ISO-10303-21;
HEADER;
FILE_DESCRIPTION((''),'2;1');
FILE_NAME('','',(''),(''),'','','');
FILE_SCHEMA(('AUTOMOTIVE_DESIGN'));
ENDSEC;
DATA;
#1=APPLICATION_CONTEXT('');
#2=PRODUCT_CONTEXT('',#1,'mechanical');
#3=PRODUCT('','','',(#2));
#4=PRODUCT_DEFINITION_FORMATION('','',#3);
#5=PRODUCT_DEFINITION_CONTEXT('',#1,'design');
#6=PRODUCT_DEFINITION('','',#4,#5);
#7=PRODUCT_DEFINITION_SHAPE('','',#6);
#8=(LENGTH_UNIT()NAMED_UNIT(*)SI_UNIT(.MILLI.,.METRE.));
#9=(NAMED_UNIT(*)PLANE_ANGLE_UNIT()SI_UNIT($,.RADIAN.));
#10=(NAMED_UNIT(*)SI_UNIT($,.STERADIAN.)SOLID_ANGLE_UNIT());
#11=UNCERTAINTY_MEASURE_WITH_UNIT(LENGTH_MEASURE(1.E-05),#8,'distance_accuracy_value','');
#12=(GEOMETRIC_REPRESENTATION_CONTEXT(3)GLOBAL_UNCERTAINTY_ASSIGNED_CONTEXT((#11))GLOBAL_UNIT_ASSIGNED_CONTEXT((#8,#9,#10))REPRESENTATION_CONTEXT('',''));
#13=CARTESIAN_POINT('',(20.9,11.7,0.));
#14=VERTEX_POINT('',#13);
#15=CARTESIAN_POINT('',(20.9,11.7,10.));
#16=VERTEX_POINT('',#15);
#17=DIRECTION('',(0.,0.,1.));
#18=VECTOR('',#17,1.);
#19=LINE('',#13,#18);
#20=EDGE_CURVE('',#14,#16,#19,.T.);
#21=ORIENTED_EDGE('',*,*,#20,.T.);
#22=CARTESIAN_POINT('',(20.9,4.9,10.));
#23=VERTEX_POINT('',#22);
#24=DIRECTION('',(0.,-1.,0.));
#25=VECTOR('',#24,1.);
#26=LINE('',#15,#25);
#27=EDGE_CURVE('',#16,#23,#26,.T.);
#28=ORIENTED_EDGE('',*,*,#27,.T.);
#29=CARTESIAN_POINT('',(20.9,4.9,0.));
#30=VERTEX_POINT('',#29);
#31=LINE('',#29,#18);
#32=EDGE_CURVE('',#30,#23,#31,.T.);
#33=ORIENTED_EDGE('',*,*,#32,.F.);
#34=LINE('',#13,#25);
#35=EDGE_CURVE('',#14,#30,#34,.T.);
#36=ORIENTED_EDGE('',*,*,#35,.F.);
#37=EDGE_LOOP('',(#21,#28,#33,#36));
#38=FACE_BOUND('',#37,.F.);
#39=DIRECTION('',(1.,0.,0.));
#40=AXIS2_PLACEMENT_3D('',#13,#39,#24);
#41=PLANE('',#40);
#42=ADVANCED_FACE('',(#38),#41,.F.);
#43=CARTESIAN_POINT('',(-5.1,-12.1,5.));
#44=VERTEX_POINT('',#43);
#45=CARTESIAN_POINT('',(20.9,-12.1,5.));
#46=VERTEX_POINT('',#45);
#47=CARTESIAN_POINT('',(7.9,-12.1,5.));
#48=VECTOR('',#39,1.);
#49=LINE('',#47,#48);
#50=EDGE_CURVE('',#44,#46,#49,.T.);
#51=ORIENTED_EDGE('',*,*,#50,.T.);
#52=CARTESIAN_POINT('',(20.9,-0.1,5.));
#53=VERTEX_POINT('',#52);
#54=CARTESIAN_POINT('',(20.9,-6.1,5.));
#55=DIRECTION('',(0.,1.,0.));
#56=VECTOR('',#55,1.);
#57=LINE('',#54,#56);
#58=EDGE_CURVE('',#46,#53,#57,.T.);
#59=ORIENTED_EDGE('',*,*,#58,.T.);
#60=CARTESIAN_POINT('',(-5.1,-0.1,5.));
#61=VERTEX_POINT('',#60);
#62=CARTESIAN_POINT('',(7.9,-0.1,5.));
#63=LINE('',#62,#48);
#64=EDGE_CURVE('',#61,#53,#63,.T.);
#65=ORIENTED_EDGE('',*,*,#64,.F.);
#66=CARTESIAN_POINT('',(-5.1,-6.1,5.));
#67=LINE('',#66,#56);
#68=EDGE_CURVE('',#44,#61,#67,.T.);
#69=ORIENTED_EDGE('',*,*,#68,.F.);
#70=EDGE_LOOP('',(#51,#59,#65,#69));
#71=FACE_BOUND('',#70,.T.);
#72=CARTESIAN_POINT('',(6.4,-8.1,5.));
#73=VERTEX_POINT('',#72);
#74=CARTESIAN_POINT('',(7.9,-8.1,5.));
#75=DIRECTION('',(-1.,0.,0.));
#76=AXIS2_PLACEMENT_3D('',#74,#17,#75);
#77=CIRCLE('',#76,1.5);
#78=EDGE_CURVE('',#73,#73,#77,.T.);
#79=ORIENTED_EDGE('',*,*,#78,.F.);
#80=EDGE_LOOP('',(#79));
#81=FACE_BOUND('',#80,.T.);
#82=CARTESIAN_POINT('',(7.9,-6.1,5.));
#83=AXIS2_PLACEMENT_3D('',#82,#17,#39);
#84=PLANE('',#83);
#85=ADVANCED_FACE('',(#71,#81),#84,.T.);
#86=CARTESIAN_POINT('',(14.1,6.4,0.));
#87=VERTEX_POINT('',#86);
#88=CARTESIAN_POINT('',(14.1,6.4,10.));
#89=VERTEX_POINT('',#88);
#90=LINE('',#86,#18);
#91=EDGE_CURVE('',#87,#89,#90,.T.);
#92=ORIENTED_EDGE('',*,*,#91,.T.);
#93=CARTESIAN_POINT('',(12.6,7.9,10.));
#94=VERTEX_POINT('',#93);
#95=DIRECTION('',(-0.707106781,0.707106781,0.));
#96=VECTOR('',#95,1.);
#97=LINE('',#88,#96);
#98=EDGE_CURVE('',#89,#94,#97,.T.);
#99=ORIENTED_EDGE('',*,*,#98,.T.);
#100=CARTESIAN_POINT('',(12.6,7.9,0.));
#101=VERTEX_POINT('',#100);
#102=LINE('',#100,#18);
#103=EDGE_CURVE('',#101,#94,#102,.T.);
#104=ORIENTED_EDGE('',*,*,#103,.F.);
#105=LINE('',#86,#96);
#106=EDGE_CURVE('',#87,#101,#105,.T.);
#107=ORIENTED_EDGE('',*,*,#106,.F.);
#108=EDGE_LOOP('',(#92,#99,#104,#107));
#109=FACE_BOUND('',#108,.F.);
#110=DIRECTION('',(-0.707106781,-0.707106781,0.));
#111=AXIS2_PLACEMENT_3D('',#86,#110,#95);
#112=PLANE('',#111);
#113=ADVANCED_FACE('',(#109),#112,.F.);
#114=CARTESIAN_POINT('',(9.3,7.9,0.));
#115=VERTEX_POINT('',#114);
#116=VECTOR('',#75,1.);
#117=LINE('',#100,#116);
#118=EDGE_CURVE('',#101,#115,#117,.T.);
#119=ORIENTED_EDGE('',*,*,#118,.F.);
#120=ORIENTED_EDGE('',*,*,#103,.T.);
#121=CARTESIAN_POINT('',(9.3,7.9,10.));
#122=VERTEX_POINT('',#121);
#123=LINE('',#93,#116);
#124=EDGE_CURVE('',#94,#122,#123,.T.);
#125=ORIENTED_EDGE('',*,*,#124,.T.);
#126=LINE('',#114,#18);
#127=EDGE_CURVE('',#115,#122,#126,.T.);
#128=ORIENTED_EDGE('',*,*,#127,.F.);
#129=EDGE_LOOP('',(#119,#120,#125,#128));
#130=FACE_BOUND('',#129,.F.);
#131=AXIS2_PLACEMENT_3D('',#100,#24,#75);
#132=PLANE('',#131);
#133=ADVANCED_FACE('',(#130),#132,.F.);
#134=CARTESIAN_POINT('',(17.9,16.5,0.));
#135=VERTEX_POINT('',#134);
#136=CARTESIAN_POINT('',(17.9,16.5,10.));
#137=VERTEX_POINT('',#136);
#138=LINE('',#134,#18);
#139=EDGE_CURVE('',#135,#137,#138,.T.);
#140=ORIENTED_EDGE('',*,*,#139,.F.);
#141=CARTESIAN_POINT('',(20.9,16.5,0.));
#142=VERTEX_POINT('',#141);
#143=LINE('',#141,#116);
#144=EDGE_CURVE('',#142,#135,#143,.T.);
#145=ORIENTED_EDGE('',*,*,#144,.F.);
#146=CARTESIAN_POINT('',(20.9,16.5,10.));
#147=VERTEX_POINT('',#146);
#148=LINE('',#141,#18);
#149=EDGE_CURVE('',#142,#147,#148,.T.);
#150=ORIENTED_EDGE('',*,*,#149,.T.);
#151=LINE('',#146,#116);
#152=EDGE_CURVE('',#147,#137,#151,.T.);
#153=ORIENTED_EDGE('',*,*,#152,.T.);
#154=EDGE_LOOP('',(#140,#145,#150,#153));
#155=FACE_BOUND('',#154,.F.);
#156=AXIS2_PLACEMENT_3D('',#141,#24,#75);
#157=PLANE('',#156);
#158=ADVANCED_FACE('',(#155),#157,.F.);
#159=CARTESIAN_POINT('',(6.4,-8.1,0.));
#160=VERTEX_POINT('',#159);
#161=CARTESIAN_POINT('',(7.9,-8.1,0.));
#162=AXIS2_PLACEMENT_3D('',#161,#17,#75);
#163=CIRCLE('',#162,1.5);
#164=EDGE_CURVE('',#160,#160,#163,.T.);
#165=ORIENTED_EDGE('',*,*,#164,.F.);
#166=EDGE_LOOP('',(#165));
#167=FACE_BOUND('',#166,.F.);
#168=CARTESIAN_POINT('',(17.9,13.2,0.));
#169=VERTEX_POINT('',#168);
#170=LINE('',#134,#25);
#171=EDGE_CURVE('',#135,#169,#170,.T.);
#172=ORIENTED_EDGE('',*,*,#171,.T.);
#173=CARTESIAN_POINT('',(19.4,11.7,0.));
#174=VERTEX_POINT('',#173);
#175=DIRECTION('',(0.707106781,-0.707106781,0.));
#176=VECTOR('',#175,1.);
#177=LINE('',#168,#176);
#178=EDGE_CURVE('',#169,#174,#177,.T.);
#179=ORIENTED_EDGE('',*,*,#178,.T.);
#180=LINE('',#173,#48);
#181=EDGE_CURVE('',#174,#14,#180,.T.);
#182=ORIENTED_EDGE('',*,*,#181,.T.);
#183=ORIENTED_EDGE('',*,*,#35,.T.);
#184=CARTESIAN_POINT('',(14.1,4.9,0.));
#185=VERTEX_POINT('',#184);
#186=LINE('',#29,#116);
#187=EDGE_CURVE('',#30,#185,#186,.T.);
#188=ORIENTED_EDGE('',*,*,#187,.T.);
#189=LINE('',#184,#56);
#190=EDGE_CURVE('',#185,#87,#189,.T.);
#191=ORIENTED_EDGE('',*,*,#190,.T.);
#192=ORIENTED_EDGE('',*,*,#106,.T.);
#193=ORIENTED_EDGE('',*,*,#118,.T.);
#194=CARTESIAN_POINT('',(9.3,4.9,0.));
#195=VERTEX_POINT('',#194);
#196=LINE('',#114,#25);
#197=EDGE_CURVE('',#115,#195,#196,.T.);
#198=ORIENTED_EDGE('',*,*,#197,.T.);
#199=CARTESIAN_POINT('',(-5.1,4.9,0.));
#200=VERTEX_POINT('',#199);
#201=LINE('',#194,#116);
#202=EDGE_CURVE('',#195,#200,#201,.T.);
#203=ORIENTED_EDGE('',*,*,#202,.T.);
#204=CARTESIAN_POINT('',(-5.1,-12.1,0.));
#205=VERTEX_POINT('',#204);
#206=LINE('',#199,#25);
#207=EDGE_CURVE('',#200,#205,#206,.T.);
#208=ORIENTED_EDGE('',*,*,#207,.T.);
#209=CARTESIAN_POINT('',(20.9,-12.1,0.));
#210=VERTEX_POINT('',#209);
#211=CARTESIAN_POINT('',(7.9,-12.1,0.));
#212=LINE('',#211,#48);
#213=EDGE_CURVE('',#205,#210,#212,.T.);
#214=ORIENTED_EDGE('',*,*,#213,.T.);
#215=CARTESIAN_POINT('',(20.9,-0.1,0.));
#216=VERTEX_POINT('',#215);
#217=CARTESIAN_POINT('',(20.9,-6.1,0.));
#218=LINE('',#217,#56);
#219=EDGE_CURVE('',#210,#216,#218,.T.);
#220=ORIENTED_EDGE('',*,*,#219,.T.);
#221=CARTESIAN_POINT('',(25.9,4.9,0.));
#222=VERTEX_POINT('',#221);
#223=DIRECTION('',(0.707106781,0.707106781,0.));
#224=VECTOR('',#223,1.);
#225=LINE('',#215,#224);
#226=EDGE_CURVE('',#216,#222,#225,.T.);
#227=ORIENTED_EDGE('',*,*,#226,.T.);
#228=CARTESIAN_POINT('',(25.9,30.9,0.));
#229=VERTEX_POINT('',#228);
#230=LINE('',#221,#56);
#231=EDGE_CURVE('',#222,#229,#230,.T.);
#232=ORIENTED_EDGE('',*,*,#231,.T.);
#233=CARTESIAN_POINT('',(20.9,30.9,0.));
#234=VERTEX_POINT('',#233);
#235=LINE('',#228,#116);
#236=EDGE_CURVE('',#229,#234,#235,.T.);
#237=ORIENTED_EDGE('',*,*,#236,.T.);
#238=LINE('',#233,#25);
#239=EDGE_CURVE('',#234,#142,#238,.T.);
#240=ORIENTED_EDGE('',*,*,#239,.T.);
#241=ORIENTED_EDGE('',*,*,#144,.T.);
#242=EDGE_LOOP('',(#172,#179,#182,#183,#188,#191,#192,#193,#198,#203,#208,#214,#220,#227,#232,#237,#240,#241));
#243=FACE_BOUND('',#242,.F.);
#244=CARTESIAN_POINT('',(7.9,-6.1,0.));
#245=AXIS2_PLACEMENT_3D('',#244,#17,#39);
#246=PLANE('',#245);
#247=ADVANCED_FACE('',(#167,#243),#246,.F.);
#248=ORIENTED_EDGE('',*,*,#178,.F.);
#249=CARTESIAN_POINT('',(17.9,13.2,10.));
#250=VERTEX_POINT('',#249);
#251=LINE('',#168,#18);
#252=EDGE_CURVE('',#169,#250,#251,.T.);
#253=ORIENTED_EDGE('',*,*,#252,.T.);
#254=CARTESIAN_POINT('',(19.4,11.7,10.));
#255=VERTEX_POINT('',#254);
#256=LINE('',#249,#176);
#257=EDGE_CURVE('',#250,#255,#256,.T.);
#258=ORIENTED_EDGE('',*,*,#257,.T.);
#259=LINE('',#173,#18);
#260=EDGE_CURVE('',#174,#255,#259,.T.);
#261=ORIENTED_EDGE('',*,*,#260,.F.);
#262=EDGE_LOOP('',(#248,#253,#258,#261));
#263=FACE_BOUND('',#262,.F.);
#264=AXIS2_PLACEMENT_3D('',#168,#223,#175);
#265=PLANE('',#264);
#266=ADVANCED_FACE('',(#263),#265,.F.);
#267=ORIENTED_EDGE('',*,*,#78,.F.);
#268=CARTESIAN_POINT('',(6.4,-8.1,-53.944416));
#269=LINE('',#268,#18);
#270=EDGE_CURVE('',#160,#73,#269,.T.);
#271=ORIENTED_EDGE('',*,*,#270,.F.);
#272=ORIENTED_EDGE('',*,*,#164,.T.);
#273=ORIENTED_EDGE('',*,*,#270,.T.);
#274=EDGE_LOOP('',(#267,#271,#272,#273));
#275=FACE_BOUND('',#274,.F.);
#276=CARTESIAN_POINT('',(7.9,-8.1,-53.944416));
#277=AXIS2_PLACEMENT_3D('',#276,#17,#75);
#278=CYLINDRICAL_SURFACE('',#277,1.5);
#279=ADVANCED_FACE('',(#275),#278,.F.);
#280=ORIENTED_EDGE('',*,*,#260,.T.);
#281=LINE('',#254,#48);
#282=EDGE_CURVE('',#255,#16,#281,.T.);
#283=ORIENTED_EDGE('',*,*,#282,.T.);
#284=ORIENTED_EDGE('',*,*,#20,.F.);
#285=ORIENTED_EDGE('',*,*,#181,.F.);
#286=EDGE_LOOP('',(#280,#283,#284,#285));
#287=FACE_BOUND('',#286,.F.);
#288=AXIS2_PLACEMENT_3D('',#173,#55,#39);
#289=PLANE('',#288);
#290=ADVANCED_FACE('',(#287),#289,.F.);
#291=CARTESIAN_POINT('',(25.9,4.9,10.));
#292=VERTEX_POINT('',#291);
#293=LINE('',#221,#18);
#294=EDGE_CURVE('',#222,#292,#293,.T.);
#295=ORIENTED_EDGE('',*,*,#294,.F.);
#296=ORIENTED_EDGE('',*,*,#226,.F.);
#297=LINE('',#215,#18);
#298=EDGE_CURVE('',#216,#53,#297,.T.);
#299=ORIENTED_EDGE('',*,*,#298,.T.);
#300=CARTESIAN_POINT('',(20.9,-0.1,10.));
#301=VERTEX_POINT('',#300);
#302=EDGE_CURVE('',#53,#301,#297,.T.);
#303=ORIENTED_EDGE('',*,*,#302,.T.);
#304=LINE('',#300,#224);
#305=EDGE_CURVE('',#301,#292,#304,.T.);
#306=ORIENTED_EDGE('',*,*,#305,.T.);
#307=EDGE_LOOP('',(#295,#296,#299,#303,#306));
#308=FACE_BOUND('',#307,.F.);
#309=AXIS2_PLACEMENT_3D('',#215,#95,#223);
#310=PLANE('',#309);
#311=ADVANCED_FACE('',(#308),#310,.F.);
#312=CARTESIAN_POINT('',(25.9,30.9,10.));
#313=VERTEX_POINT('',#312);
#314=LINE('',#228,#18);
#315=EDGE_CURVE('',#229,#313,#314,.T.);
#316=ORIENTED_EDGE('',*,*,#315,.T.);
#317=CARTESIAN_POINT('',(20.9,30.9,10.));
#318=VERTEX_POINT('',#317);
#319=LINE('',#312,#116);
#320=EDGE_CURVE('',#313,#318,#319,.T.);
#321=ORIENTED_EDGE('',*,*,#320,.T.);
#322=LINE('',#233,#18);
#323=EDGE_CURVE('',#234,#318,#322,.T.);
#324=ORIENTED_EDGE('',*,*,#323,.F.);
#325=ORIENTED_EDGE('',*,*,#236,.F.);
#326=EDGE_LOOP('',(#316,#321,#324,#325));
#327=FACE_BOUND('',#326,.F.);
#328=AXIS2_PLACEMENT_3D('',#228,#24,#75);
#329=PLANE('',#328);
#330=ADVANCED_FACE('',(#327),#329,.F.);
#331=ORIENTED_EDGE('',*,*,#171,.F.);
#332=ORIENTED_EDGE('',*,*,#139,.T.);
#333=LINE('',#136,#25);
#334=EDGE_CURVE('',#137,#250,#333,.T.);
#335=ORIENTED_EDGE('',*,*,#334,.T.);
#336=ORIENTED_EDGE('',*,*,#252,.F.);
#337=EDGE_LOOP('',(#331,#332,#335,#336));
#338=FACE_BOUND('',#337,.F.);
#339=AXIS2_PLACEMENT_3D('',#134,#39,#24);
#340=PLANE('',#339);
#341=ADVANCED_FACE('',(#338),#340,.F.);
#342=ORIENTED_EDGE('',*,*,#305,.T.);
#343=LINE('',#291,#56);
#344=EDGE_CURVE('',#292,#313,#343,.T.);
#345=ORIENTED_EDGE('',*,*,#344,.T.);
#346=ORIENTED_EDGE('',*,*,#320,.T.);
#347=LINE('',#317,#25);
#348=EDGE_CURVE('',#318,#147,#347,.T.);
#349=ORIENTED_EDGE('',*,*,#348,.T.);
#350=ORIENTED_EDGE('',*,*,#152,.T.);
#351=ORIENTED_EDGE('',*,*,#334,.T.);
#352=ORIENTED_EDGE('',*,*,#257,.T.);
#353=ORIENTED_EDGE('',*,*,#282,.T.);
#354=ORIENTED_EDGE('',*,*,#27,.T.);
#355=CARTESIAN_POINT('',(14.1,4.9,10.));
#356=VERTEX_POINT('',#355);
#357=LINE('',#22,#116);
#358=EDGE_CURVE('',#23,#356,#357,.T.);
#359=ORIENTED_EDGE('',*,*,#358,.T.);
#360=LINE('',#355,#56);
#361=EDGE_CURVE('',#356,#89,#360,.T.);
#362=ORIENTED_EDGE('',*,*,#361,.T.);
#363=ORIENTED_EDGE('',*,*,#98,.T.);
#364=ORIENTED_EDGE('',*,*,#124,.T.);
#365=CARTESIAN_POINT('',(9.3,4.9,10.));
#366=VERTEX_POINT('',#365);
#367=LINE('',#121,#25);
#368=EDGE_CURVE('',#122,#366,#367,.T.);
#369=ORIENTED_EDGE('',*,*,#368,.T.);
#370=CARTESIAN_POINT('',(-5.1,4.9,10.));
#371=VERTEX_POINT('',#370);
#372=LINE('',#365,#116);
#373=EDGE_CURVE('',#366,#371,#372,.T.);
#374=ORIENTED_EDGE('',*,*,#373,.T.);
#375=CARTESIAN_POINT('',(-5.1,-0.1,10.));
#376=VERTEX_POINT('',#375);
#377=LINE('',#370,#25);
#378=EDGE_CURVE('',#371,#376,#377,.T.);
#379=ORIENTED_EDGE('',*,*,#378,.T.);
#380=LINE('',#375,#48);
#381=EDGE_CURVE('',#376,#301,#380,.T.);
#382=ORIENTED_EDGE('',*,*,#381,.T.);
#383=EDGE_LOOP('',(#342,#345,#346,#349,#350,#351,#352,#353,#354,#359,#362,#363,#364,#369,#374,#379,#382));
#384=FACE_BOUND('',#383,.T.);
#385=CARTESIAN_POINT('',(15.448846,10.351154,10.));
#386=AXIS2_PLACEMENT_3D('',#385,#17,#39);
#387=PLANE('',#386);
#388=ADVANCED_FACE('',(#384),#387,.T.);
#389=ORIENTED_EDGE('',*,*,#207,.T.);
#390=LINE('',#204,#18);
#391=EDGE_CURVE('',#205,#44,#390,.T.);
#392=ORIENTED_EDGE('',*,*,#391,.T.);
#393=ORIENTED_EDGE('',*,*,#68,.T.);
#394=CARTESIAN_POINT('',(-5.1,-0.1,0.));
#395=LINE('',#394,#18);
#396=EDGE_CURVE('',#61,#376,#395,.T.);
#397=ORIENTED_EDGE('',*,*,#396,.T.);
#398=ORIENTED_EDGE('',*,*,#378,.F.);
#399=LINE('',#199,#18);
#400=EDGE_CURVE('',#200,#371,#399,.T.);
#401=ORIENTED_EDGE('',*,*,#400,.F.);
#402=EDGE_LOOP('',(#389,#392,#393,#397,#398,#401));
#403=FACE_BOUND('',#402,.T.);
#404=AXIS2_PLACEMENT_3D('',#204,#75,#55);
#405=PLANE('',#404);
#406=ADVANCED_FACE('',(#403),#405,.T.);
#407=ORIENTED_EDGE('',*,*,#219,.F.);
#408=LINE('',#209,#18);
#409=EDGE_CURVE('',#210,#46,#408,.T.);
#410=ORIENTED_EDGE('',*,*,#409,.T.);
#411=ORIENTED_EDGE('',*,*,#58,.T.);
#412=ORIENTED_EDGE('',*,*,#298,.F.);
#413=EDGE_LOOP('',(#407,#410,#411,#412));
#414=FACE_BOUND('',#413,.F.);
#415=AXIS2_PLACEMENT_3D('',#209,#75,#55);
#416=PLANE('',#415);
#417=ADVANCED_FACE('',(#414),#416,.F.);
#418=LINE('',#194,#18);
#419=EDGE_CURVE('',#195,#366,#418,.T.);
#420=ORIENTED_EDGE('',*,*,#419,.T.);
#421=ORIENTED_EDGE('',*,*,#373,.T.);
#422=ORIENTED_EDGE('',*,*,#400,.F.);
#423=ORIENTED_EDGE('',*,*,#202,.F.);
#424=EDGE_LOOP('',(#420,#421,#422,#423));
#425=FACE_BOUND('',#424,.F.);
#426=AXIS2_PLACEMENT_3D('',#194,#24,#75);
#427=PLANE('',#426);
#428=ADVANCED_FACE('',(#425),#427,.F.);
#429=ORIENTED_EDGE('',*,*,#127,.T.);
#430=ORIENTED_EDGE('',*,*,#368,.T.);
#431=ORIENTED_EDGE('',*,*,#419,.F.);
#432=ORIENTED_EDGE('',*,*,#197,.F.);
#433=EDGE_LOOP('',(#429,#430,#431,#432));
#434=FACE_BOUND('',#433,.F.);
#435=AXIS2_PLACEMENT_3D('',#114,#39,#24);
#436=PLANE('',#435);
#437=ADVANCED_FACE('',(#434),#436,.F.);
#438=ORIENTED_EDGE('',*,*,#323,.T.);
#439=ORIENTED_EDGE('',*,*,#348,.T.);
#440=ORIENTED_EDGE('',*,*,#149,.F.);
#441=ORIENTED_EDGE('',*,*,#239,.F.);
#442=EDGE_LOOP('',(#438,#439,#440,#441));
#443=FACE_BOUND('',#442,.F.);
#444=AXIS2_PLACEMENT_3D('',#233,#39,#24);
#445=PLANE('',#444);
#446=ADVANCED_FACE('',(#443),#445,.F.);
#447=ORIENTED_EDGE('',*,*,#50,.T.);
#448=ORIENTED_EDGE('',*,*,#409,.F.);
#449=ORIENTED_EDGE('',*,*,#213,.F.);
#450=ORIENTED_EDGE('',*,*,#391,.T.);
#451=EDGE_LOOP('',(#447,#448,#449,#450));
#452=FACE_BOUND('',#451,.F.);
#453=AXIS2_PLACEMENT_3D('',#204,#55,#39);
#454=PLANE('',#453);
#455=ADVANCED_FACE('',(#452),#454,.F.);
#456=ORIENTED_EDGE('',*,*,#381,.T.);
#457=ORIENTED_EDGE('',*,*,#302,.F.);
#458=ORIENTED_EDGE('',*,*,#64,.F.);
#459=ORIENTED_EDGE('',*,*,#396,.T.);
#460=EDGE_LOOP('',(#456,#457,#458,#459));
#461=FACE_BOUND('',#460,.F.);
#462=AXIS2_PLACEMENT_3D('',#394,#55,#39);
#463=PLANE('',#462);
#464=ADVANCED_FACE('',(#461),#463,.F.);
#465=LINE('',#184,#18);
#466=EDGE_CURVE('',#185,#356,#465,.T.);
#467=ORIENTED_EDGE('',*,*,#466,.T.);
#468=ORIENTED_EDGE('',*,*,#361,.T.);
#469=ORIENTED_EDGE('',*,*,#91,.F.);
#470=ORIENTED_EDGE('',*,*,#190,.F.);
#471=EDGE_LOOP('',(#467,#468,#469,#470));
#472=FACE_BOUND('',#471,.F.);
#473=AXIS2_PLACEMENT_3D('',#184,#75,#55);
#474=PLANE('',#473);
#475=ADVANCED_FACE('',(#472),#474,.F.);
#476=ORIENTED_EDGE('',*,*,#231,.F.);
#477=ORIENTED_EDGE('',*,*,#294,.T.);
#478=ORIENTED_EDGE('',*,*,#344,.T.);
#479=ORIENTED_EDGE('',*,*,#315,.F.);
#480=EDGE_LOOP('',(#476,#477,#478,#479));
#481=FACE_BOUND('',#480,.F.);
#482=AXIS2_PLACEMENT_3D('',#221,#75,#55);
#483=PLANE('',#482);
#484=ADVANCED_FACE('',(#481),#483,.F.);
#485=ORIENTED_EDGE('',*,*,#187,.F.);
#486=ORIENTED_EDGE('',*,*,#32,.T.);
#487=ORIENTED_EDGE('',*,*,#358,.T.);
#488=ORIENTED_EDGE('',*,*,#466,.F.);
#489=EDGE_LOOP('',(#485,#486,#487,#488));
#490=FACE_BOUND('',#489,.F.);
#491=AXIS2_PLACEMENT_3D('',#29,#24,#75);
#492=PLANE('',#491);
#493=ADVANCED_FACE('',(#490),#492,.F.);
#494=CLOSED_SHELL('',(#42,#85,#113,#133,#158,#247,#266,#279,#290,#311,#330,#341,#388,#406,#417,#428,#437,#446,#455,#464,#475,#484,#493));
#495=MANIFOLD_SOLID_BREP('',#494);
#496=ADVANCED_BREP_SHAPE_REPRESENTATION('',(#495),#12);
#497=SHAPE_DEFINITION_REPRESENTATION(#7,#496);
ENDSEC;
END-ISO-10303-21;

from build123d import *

# Parameters (mm, degrees)
F2_DEPTH = 10
F1_W     = 26
F1_H     = 12
F3_DEPTH = 5
F4_D     = 3


with BuildPart() as f2:
    # F1 (on Top) → F2 (new body)
    with BuildSketch(Plane.XY):
        Polygon((20.9, 30.9), (20.9, 16.5), (17.9, 16.5), (17.9, 13.2), (19.4, 11.7), (20.9, 11.7), (20.9, 4.9), (14.1, 4.9), (14.1, 6.4), (12.6, 7.9), (9.3, 7.9), (9.3, 4.9), (-5.1, 4.9), (-5.1, -0.1), (20.9, -0.1), (25.9, 4.9), (25.9, 30.9), align=None)
    extrude(amount=F2_DEPTH)

    # F1 (on Top) → F3 (join)
    with BuildSketch(Plane.XY):
        with Locations((7.9, -6.1)):
            Rectangle(F1_W, F1_H)
    extrude(amount=F3_DEPTH)

    # F4 (through all)
    with Locations(Plane(origin=(0, 0, 0), x_dir=(1, 0, 0), z_dir=(0, 0, -1))):
        with Locations((7.8999996185, 8.1)):
            Hole(F4_D / 2)


solid = f2.part
